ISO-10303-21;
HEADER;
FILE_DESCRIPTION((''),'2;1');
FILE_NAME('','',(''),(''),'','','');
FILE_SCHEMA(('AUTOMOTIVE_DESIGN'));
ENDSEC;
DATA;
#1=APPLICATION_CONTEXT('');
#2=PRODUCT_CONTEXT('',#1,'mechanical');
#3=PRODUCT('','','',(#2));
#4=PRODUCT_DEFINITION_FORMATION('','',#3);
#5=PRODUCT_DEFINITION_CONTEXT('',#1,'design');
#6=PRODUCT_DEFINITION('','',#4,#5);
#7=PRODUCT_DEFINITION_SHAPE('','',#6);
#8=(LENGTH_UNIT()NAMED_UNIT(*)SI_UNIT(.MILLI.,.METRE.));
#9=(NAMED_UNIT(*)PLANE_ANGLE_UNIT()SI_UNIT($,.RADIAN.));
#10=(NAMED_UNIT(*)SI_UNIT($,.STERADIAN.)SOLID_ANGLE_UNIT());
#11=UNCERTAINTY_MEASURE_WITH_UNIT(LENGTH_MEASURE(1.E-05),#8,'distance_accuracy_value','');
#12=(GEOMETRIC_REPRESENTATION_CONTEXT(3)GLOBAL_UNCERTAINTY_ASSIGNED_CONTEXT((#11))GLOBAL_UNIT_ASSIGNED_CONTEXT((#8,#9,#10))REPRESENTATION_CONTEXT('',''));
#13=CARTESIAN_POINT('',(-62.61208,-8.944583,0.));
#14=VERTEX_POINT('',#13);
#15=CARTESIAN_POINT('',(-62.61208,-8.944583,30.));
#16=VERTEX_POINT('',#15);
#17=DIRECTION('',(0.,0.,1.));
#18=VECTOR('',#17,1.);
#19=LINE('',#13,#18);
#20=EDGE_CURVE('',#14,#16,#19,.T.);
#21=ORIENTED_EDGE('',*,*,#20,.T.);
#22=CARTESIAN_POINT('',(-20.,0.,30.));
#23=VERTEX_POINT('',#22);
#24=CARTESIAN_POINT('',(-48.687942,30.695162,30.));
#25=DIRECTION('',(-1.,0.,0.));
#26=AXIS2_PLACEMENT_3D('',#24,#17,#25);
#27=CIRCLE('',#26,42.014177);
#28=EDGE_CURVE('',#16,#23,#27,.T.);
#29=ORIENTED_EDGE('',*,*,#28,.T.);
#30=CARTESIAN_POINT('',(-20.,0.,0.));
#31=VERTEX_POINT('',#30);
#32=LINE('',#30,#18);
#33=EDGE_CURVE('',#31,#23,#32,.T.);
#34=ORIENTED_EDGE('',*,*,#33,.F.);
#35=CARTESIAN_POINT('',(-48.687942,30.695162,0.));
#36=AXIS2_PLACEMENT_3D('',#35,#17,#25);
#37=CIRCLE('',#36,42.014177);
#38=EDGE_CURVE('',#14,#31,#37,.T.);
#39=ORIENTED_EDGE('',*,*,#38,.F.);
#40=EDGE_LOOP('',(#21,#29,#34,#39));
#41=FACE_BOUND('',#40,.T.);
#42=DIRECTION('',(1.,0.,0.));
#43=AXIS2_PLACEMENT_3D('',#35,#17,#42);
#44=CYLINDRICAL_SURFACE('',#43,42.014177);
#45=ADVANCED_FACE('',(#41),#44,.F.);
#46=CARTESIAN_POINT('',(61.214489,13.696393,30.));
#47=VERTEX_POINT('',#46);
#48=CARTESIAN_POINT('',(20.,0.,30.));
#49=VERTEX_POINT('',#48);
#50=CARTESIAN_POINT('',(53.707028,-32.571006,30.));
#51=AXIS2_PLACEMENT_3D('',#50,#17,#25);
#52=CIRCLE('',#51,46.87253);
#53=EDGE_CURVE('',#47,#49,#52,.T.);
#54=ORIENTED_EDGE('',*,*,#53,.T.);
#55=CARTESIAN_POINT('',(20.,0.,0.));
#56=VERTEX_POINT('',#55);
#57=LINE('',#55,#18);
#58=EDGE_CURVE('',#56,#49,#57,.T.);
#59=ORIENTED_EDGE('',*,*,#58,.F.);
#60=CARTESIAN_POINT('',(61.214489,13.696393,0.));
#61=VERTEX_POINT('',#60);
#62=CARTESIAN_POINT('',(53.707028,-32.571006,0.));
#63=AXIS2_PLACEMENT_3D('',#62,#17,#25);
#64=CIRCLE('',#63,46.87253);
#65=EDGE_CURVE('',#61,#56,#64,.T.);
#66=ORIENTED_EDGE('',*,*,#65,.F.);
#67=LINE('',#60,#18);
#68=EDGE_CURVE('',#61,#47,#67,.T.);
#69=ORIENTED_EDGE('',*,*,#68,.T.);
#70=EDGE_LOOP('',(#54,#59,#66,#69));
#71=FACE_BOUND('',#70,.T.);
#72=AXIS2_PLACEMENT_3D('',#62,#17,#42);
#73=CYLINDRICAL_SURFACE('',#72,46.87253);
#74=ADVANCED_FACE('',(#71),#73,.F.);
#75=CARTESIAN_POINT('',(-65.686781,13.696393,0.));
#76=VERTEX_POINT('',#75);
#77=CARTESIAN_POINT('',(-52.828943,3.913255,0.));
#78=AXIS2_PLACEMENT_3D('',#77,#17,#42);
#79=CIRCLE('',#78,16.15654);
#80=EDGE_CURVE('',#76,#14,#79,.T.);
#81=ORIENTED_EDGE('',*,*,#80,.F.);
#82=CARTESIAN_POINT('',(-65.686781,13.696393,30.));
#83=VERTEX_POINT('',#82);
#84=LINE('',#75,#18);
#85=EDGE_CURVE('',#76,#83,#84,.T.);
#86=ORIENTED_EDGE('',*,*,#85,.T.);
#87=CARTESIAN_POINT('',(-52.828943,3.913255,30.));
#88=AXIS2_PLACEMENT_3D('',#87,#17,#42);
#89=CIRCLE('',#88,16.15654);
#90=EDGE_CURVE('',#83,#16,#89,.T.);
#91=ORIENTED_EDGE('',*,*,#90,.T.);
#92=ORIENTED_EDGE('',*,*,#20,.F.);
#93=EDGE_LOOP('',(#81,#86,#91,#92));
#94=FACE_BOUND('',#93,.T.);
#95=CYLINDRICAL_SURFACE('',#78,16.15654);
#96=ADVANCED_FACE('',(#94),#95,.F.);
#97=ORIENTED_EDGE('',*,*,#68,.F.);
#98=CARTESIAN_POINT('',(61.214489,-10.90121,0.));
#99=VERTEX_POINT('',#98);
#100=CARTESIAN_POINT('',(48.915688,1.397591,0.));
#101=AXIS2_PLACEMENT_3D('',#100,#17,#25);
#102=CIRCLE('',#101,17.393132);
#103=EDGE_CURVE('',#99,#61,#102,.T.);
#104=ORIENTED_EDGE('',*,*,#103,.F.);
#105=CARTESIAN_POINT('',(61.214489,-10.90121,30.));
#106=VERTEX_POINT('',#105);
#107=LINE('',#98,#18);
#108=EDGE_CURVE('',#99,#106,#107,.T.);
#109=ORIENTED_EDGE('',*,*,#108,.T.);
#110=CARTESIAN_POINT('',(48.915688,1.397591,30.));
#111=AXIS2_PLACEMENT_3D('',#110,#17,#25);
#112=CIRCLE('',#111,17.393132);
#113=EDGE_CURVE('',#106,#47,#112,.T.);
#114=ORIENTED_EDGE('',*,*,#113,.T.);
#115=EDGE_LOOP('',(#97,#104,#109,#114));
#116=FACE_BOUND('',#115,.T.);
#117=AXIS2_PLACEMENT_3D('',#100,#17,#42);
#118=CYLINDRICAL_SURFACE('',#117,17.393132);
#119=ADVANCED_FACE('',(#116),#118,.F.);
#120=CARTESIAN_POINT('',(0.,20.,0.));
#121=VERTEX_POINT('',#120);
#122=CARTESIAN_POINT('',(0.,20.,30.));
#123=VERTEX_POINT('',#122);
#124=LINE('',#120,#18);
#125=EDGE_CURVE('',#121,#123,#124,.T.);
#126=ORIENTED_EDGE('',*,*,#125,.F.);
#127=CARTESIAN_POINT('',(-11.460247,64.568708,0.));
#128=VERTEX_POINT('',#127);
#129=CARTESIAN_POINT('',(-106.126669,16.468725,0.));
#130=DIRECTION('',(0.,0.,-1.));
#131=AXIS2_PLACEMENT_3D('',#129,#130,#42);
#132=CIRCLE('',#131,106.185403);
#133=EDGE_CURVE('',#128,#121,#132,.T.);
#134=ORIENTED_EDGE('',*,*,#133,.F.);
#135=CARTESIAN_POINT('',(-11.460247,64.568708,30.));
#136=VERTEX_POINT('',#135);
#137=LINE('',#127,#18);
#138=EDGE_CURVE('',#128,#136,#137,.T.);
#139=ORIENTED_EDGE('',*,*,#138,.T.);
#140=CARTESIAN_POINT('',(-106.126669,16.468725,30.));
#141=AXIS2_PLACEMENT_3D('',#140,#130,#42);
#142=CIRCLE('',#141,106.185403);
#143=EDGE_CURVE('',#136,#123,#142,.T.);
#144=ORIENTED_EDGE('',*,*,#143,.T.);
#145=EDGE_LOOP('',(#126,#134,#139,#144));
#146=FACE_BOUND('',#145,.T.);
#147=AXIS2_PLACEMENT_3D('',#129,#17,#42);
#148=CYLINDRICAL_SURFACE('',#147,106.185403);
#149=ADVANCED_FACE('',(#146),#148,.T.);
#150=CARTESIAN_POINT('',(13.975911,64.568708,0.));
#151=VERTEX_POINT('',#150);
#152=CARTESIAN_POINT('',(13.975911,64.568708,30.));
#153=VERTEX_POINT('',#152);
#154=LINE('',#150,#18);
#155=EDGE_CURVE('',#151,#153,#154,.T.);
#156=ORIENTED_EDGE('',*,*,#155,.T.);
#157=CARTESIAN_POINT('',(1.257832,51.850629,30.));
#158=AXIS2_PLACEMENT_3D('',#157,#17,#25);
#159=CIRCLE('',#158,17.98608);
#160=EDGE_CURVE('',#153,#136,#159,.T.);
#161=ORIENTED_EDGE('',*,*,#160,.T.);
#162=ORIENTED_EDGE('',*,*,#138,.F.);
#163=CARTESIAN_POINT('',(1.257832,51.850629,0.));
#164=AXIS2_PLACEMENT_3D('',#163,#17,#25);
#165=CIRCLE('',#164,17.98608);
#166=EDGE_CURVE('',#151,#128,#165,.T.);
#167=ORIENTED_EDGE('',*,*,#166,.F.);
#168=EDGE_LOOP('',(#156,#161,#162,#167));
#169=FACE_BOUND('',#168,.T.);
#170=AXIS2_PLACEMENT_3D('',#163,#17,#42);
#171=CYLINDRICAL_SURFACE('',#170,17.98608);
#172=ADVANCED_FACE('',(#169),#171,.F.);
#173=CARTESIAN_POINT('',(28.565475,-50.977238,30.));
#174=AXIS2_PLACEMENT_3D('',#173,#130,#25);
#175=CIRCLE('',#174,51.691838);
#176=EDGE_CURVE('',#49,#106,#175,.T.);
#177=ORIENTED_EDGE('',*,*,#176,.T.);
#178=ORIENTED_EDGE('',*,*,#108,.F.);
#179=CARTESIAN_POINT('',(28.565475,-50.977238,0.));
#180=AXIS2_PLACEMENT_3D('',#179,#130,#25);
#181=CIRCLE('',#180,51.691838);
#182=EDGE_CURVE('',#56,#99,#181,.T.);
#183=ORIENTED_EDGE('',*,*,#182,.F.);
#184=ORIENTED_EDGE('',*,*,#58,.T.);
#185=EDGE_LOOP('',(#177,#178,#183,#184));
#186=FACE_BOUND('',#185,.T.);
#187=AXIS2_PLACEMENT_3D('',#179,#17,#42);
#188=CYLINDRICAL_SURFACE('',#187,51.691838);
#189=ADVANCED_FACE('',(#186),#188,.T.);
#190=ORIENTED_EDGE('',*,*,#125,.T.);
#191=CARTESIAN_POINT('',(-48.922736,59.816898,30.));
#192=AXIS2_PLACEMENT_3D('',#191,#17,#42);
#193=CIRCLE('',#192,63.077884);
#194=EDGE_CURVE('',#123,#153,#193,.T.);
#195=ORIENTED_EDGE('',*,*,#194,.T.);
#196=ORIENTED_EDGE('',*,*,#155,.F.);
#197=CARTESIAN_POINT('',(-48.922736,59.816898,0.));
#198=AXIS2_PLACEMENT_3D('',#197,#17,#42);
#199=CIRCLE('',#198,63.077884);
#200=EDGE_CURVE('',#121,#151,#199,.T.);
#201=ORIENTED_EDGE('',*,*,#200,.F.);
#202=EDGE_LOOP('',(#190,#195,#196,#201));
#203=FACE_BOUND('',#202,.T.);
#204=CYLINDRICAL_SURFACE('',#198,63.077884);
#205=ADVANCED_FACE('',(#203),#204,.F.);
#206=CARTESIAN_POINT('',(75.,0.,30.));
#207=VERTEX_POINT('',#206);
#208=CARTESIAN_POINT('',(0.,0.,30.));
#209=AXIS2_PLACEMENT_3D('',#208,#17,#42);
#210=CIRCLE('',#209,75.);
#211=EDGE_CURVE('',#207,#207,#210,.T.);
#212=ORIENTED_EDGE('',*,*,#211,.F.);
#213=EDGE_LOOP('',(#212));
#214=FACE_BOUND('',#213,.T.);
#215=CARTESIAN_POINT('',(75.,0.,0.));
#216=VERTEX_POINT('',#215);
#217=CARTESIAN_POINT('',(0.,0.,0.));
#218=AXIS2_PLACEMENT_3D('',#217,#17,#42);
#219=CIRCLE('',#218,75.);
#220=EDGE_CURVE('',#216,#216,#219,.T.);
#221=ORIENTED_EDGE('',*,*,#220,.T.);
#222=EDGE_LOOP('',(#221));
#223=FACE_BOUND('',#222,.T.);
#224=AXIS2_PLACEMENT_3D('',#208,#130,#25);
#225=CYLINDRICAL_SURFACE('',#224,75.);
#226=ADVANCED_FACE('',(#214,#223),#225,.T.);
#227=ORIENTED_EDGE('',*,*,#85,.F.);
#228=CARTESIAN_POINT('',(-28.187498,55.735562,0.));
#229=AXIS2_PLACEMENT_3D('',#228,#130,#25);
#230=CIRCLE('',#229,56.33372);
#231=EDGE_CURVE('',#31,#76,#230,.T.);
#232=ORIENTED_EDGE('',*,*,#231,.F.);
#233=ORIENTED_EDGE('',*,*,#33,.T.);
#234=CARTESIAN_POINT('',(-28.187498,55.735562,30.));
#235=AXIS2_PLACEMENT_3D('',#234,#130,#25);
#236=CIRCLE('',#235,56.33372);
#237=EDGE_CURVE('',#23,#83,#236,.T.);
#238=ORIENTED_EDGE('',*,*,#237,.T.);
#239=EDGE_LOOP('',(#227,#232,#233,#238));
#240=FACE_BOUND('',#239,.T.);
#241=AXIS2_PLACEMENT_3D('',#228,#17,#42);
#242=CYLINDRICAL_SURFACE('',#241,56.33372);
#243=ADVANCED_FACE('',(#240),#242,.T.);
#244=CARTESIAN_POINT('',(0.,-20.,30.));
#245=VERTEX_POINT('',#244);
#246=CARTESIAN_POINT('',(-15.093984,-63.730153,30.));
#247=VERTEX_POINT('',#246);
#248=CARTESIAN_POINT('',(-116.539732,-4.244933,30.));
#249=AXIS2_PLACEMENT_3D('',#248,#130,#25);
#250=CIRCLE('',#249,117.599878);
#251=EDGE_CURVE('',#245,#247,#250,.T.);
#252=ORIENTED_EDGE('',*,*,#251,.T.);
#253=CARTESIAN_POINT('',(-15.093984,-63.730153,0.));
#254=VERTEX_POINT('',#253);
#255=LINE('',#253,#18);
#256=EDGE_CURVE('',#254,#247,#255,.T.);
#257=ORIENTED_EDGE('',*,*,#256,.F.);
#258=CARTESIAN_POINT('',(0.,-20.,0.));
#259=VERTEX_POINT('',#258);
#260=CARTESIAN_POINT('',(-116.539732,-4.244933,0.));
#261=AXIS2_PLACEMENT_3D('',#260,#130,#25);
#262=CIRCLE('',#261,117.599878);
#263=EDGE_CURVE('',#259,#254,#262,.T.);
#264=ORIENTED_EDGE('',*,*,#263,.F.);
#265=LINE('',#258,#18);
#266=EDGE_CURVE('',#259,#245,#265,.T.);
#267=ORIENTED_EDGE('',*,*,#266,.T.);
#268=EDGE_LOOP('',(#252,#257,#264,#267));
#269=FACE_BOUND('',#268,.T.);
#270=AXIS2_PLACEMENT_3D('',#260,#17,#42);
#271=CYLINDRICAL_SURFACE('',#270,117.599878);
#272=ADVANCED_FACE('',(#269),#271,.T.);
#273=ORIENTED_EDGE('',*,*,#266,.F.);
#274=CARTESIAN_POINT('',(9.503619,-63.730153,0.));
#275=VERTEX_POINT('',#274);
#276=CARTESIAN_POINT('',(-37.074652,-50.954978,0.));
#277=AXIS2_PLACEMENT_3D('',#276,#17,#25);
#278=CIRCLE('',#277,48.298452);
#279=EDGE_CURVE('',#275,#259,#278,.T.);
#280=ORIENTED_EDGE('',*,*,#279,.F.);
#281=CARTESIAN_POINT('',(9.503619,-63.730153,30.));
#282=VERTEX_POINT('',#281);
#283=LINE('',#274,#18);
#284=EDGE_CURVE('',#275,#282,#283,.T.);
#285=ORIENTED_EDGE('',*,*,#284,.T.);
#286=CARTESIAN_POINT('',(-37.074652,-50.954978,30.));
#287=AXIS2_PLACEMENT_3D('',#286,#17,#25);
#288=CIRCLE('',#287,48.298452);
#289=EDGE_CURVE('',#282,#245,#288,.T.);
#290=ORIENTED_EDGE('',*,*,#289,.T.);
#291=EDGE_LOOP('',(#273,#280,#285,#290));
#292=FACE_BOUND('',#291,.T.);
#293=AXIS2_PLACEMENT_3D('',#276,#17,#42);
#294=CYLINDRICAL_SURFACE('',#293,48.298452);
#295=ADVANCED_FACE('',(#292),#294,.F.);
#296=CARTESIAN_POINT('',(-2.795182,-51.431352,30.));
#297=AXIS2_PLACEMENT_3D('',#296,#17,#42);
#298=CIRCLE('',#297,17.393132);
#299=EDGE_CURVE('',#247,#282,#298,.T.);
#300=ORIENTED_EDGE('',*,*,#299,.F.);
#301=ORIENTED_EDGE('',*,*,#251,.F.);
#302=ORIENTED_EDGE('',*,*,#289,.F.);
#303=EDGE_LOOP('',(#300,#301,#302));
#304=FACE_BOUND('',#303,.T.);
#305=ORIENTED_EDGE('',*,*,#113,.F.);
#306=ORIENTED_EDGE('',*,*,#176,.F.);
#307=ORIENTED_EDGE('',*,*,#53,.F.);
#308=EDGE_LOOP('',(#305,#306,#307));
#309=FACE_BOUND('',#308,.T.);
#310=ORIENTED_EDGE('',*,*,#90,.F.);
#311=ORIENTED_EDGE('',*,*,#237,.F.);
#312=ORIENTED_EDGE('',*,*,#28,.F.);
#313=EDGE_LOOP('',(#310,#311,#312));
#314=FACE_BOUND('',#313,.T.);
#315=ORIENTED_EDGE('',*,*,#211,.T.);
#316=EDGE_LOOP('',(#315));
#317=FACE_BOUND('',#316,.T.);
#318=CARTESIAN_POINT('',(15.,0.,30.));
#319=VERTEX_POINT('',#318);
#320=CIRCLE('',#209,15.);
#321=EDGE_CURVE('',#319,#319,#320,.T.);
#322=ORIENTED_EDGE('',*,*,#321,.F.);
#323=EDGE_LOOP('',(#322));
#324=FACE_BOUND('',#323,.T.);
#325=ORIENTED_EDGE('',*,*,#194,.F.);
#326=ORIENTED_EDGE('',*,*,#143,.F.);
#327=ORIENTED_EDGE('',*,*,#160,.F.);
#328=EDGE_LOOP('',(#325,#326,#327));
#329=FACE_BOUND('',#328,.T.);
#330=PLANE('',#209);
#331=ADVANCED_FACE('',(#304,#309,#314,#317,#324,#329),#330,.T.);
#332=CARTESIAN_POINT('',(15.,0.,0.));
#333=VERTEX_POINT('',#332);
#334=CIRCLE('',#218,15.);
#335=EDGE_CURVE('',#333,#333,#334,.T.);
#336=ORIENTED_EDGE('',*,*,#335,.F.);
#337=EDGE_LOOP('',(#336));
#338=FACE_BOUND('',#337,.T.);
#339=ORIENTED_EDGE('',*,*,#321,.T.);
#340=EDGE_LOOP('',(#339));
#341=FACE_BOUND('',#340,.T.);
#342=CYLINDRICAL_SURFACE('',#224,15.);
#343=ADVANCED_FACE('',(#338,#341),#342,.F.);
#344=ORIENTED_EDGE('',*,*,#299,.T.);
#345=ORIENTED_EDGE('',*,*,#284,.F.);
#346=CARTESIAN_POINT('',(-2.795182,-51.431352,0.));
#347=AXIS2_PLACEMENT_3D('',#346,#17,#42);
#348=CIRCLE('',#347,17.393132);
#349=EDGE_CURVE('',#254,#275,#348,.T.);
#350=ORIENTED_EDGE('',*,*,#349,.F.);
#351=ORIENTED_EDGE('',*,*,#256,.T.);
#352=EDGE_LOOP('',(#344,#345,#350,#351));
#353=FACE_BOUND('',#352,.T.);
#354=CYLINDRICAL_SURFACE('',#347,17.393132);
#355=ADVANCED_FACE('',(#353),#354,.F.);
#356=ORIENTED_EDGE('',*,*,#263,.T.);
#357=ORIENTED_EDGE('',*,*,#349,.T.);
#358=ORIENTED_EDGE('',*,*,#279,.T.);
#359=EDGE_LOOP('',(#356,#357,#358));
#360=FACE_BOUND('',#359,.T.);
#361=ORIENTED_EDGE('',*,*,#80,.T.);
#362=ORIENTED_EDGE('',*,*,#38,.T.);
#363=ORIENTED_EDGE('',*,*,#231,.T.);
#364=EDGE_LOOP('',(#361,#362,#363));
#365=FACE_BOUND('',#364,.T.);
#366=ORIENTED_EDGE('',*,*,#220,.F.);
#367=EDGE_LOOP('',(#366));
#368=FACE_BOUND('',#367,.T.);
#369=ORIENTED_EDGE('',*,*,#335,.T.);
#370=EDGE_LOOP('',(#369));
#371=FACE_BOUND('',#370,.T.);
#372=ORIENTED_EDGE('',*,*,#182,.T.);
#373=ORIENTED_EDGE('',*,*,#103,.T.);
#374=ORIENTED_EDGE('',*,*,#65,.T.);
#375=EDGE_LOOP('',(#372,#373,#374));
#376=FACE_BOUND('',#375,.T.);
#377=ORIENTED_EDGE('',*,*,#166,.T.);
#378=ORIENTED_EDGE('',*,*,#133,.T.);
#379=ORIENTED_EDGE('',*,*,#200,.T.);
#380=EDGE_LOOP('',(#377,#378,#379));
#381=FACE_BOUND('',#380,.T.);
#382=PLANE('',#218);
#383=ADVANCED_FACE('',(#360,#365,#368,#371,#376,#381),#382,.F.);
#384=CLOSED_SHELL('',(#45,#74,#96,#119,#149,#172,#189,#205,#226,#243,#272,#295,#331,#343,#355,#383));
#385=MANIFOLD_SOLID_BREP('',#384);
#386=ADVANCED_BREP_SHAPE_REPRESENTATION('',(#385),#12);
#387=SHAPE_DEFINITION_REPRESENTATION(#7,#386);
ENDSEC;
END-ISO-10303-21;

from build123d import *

# Parameters (mm, degrees)
SKETCH1_R           = 75
SKETCH1_R_2         = 15
BOSS_EXTRUDE1_DEPTH = 30
CUT_EXTRUDE1_DEPTH  = 30


with BuildPart() as part:
    # Sketch1 → Boss-Extrude1 (new body)
    with BuildSketch(Plane.XY):
        Circle(SKETCH1_R)
        Circle(SKETCH1_R_2, mode=Mode.SUBTRACT)
    extrude(amount=BOSS_EXTRUDE1_DEPTH)

    # Sketch3 → Cut-Extrude1 (cut)
    with BuildSketch(Plane.XY.offset(30)):
        with BuildLine():
            ThreePointArc((20, 0), (41.783391285, -1.00391685), (61.214489176, -10.901210401))
            ThreePointArc((61.214489176, -10.901210401), (66.308819549, 1.397591077), (61.214489176, 13.696392555))
            ThreePointArc((61.214489176, 13.696392555), (38.925210815, 11.909686918), (20, 0))
        make_face()
        with BuildLine():
            ThreePointArc((0, 20), (11.265284699, 40.943063639), (13.975910771, 64.568707761))
            ThreePointArc((13.975910771, 64.568707761), (1.257831969, 69.836708488), (-11.460246832, 64.568707761))
            ThreePointArc((-11.460246832, 64.568707761), (-3.286702106, 42.912646975), (0, 20))
        make_face()
        with BuildLine():
            ThreePointArc((-20, 0), (-40.056959125, -10.422925538), (-62.612080253, -8.944582893))
            ThreePointArc((-62.612080253, -8.944582893), (-68.838529986, 1.739113534), (-65.686780623, 13.696392555))
            ThreePointArc((-65.686780623, 13.696392555), (-44.364425117, 1.774511129), (-20, 0))
        make_face()
        with BuildLine():
            ThreePointArc((0, -20), (10.122111276, -40.697980205), (9.503619324, -63.730153115))
            ThreePointArc((9.503619324, -63.730153115), (-2.795182154, -68.824483488), (-15.093983632, -63.730153115))
            ThreePointArc((-15.093983632, -63.730153115), (-5.375443737, -42.614612263), (0, -20))
        make_face()
    extrude(amount=-CUT_EXTRUDE1_DEPTH, mode=Mode.SUBTRACT)


solid = part.part
